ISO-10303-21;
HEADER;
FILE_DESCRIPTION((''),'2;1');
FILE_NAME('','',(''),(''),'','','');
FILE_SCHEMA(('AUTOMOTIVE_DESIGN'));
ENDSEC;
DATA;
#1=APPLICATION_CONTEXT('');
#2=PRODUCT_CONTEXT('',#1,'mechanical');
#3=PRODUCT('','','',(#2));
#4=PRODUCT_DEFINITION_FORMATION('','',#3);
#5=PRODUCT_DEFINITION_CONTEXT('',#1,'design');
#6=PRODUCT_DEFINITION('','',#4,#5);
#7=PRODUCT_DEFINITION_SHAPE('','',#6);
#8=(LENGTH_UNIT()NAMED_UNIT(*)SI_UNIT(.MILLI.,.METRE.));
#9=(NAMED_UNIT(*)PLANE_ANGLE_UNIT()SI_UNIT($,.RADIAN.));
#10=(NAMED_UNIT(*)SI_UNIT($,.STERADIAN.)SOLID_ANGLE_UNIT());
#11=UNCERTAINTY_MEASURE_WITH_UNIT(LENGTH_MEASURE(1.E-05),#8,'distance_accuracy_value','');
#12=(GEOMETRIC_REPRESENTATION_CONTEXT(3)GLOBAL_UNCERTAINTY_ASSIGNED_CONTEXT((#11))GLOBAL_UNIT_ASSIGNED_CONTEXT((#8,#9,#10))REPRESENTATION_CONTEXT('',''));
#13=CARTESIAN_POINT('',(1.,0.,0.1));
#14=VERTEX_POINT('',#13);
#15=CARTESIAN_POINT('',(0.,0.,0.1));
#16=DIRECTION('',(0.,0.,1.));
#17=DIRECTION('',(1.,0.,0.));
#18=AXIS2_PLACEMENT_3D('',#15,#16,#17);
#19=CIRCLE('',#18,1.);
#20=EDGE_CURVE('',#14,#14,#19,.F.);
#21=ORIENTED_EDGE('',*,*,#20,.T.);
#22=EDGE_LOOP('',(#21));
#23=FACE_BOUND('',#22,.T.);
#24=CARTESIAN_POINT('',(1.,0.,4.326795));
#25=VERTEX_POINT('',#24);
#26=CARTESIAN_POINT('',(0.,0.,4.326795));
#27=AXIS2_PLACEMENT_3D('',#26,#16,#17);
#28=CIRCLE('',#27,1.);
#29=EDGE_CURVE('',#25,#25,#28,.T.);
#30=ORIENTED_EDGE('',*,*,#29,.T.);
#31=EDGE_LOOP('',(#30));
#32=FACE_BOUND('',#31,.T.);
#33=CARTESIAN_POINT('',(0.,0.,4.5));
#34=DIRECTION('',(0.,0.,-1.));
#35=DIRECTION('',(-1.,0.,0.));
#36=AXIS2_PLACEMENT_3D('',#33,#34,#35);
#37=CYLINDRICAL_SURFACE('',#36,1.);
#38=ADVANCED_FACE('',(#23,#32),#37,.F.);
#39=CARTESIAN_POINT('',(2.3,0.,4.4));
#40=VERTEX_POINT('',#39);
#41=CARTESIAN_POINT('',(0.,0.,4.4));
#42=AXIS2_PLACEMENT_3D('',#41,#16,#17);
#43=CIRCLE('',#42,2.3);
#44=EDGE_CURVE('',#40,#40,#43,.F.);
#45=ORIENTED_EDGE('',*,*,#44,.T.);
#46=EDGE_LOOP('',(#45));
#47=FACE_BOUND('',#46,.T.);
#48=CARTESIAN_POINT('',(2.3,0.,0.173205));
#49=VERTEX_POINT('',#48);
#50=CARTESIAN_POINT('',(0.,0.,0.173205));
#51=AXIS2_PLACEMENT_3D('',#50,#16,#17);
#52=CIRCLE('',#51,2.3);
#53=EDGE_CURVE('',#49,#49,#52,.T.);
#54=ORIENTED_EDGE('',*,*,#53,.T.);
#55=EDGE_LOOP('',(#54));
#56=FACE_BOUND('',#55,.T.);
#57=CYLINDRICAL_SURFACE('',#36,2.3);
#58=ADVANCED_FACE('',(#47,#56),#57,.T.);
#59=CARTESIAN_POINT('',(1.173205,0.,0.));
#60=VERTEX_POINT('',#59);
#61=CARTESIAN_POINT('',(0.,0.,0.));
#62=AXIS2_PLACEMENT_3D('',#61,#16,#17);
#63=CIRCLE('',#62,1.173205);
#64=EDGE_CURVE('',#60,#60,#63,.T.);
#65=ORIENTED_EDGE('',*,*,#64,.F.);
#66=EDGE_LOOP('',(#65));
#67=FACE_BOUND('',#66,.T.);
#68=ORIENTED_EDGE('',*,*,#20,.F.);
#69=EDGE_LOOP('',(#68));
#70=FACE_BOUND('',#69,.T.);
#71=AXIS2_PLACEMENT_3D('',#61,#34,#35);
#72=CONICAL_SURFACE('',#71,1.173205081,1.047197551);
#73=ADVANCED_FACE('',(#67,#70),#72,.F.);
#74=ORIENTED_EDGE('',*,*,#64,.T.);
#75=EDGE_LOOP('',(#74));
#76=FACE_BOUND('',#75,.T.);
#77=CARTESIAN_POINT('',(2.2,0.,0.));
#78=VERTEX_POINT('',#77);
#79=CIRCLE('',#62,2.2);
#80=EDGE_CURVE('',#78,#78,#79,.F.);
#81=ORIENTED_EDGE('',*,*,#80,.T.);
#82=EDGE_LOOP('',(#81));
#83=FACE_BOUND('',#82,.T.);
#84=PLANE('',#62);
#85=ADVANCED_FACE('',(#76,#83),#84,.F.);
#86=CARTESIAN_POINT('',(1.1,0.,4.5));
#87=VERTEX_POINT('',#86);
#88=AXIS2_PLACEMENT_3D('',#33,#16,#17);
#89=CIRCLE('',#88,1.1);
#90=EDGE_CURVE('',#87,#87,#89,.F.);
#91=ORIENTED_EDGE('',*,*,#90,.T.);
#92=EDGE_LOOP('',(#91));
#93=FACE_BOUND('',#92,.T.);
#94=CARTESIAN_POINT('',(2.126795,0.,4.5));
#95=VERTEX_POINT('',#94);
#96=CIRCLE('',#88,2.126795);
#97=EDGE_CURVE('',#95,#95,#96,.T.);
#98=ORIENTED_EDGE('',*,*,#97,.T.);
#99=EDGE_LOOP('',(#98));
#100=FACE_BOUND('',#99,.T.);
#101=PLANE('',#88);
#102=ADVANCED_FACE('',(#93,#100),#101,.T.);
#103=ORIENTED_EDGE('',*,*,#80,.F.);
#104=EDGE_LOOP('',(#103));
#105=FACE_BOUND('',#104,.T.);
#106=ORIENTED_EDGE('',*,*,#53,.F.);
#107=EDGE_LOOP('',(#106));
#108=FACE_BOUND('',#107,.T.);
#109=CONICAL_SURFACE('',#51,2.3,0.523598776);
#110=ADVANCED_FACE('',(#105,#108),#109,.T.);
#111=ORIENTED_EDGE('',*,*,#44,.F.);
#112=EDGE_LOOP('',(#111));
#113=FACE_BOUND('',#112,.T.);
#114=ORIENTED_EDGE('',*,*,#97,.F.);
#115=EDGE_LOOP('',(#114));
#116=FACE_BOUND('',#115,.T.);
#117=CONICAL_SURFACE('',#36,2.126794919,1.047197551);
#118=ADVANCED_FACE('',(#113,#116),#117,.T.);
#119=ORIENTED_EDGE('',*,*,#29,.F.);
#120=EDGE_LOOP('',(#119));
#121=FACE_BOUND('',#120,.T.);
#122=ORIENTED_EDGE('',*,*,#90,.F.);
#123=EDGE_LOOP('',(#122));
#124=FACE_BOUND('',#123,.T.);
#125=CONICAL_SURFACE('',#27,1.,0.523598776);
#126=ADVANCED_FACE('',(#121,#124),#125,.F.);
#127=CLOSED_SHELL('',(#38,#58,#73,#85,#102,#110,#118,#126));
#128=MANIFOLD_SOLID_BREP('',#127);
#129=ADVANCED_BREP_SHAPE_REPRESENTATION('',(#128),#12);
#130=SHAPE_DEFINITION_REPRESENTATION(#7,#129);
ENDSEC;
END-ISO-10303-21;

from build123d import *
from OCP.BRepFilletAPI import BRepFilletAPI_MakeChamfer

# Parameters (mm, degrees)
SZKIC1_R                    = 2.3
SZKIC1_R_2                  = 1
DODANIE_WYCI_GNI_CIE1_DEPTH = 4.5
SFAZOWANIE1_SIZE            = 0.1
SFAZOWANIE1_SIZE2           = 0.173205081


with BuildPart() as part:
    # Szkic1 → Dodanie-wyciągnięcie1 (new body)
    with BuildSketch(Plane.XY):
        Circle(SZKIC1_R)
        Circle(SZKIC1_R_2, mode=Mode.SUBTRACT)
    extrude(amount=DODANIE_WYCI_GNI_CIE1_DEPTH)

    # Sfazowanie1: one chamfer whose edges measure the first distance from different faces: ONE call of the kernel's chamfer builder (chamfer() names one face for all edges)
    sfazowanie1_edges_1 = [part.edges().sort_by_distance(p)[0] for p in [
        (-2.3, 0, 0),
    ]]
    sfazowanie1_side_1 = [part.faces().sort_by_distance(p)[0] for p in [
        (-2.234946176, 0, 0),
    ]]
    sfazowanie1_edges_2 = [part.edges().sort_by_distance(p)[0] for p in [
        (-2.3, 0, 4.5),
    ]]
    sfazowanie1_side_2 = [part.faces().sort_by_distance(p)[0] for p in [
        (-2.3, 0, 2.25),
    ]]
    sfazowanie1_edges_3 = [part.edges().sort_by_distance(p)[0] for p in [
        (-1, 0, 0),
    ]]
    sfazowanie1_side_3 = [part.faces().sort_by_distance(p)[0] for p in [
        (-1, 0, 2.25),
    ]]
    sfazowanie1_edges_4 = [part.edges().sort_by_distance(p)[0] for p in [
        (-1, 0, 4.5),
    ]]
    sfazowanie1_side_4 = [part.faces().sort_by_distance(p)[0] for p in [
        (-2.234946176, 0, 4.5),
    ]]
    sfazowanie1 = BRepFilletAPI_MakeChamfer(part.part.solid().wrapped)
    for e in sfazowanie1_edges_1:
        sfazowanie1.Add(SFAZOWANIE1_SIZE, SFAZOWANIE1_SIZE2, e.wrapped, sfazowanie1_side_1[0].wrapped)  # the first distance lies on this face
    for e in sfazowanie1_edges_2:
        sfazowanie1.Add(SFAZOWANIE1_SIZE, SFAZOWANIE1_SIZE2, e.wrapped, sfazowanie1_side_2[0].wrapped)  # the first distance lies on this face
    for e in sfazowanie1_edges_3:
        sfazowanie1.Add(SFAZOWANIE1_SIZE, SFAZOWANIE1_SIZE2, e.wrapped, sfazowanie1_side_3[0].wrapped)  # the first distance lies on this face
    for e in sfazowanie1_edges_4:
        sfazowanie1.Add(SFAZOWANIE1_SIZE, SFAZOWANIE1_SIZE2, e.wrapped, sfazowanie1_side_4[0].wrapped)  # the first distance lies on this face
    add(Compound.cast(sfazowanie1.Shape()), mode=Mode.REPLACE)


solid = part.part
